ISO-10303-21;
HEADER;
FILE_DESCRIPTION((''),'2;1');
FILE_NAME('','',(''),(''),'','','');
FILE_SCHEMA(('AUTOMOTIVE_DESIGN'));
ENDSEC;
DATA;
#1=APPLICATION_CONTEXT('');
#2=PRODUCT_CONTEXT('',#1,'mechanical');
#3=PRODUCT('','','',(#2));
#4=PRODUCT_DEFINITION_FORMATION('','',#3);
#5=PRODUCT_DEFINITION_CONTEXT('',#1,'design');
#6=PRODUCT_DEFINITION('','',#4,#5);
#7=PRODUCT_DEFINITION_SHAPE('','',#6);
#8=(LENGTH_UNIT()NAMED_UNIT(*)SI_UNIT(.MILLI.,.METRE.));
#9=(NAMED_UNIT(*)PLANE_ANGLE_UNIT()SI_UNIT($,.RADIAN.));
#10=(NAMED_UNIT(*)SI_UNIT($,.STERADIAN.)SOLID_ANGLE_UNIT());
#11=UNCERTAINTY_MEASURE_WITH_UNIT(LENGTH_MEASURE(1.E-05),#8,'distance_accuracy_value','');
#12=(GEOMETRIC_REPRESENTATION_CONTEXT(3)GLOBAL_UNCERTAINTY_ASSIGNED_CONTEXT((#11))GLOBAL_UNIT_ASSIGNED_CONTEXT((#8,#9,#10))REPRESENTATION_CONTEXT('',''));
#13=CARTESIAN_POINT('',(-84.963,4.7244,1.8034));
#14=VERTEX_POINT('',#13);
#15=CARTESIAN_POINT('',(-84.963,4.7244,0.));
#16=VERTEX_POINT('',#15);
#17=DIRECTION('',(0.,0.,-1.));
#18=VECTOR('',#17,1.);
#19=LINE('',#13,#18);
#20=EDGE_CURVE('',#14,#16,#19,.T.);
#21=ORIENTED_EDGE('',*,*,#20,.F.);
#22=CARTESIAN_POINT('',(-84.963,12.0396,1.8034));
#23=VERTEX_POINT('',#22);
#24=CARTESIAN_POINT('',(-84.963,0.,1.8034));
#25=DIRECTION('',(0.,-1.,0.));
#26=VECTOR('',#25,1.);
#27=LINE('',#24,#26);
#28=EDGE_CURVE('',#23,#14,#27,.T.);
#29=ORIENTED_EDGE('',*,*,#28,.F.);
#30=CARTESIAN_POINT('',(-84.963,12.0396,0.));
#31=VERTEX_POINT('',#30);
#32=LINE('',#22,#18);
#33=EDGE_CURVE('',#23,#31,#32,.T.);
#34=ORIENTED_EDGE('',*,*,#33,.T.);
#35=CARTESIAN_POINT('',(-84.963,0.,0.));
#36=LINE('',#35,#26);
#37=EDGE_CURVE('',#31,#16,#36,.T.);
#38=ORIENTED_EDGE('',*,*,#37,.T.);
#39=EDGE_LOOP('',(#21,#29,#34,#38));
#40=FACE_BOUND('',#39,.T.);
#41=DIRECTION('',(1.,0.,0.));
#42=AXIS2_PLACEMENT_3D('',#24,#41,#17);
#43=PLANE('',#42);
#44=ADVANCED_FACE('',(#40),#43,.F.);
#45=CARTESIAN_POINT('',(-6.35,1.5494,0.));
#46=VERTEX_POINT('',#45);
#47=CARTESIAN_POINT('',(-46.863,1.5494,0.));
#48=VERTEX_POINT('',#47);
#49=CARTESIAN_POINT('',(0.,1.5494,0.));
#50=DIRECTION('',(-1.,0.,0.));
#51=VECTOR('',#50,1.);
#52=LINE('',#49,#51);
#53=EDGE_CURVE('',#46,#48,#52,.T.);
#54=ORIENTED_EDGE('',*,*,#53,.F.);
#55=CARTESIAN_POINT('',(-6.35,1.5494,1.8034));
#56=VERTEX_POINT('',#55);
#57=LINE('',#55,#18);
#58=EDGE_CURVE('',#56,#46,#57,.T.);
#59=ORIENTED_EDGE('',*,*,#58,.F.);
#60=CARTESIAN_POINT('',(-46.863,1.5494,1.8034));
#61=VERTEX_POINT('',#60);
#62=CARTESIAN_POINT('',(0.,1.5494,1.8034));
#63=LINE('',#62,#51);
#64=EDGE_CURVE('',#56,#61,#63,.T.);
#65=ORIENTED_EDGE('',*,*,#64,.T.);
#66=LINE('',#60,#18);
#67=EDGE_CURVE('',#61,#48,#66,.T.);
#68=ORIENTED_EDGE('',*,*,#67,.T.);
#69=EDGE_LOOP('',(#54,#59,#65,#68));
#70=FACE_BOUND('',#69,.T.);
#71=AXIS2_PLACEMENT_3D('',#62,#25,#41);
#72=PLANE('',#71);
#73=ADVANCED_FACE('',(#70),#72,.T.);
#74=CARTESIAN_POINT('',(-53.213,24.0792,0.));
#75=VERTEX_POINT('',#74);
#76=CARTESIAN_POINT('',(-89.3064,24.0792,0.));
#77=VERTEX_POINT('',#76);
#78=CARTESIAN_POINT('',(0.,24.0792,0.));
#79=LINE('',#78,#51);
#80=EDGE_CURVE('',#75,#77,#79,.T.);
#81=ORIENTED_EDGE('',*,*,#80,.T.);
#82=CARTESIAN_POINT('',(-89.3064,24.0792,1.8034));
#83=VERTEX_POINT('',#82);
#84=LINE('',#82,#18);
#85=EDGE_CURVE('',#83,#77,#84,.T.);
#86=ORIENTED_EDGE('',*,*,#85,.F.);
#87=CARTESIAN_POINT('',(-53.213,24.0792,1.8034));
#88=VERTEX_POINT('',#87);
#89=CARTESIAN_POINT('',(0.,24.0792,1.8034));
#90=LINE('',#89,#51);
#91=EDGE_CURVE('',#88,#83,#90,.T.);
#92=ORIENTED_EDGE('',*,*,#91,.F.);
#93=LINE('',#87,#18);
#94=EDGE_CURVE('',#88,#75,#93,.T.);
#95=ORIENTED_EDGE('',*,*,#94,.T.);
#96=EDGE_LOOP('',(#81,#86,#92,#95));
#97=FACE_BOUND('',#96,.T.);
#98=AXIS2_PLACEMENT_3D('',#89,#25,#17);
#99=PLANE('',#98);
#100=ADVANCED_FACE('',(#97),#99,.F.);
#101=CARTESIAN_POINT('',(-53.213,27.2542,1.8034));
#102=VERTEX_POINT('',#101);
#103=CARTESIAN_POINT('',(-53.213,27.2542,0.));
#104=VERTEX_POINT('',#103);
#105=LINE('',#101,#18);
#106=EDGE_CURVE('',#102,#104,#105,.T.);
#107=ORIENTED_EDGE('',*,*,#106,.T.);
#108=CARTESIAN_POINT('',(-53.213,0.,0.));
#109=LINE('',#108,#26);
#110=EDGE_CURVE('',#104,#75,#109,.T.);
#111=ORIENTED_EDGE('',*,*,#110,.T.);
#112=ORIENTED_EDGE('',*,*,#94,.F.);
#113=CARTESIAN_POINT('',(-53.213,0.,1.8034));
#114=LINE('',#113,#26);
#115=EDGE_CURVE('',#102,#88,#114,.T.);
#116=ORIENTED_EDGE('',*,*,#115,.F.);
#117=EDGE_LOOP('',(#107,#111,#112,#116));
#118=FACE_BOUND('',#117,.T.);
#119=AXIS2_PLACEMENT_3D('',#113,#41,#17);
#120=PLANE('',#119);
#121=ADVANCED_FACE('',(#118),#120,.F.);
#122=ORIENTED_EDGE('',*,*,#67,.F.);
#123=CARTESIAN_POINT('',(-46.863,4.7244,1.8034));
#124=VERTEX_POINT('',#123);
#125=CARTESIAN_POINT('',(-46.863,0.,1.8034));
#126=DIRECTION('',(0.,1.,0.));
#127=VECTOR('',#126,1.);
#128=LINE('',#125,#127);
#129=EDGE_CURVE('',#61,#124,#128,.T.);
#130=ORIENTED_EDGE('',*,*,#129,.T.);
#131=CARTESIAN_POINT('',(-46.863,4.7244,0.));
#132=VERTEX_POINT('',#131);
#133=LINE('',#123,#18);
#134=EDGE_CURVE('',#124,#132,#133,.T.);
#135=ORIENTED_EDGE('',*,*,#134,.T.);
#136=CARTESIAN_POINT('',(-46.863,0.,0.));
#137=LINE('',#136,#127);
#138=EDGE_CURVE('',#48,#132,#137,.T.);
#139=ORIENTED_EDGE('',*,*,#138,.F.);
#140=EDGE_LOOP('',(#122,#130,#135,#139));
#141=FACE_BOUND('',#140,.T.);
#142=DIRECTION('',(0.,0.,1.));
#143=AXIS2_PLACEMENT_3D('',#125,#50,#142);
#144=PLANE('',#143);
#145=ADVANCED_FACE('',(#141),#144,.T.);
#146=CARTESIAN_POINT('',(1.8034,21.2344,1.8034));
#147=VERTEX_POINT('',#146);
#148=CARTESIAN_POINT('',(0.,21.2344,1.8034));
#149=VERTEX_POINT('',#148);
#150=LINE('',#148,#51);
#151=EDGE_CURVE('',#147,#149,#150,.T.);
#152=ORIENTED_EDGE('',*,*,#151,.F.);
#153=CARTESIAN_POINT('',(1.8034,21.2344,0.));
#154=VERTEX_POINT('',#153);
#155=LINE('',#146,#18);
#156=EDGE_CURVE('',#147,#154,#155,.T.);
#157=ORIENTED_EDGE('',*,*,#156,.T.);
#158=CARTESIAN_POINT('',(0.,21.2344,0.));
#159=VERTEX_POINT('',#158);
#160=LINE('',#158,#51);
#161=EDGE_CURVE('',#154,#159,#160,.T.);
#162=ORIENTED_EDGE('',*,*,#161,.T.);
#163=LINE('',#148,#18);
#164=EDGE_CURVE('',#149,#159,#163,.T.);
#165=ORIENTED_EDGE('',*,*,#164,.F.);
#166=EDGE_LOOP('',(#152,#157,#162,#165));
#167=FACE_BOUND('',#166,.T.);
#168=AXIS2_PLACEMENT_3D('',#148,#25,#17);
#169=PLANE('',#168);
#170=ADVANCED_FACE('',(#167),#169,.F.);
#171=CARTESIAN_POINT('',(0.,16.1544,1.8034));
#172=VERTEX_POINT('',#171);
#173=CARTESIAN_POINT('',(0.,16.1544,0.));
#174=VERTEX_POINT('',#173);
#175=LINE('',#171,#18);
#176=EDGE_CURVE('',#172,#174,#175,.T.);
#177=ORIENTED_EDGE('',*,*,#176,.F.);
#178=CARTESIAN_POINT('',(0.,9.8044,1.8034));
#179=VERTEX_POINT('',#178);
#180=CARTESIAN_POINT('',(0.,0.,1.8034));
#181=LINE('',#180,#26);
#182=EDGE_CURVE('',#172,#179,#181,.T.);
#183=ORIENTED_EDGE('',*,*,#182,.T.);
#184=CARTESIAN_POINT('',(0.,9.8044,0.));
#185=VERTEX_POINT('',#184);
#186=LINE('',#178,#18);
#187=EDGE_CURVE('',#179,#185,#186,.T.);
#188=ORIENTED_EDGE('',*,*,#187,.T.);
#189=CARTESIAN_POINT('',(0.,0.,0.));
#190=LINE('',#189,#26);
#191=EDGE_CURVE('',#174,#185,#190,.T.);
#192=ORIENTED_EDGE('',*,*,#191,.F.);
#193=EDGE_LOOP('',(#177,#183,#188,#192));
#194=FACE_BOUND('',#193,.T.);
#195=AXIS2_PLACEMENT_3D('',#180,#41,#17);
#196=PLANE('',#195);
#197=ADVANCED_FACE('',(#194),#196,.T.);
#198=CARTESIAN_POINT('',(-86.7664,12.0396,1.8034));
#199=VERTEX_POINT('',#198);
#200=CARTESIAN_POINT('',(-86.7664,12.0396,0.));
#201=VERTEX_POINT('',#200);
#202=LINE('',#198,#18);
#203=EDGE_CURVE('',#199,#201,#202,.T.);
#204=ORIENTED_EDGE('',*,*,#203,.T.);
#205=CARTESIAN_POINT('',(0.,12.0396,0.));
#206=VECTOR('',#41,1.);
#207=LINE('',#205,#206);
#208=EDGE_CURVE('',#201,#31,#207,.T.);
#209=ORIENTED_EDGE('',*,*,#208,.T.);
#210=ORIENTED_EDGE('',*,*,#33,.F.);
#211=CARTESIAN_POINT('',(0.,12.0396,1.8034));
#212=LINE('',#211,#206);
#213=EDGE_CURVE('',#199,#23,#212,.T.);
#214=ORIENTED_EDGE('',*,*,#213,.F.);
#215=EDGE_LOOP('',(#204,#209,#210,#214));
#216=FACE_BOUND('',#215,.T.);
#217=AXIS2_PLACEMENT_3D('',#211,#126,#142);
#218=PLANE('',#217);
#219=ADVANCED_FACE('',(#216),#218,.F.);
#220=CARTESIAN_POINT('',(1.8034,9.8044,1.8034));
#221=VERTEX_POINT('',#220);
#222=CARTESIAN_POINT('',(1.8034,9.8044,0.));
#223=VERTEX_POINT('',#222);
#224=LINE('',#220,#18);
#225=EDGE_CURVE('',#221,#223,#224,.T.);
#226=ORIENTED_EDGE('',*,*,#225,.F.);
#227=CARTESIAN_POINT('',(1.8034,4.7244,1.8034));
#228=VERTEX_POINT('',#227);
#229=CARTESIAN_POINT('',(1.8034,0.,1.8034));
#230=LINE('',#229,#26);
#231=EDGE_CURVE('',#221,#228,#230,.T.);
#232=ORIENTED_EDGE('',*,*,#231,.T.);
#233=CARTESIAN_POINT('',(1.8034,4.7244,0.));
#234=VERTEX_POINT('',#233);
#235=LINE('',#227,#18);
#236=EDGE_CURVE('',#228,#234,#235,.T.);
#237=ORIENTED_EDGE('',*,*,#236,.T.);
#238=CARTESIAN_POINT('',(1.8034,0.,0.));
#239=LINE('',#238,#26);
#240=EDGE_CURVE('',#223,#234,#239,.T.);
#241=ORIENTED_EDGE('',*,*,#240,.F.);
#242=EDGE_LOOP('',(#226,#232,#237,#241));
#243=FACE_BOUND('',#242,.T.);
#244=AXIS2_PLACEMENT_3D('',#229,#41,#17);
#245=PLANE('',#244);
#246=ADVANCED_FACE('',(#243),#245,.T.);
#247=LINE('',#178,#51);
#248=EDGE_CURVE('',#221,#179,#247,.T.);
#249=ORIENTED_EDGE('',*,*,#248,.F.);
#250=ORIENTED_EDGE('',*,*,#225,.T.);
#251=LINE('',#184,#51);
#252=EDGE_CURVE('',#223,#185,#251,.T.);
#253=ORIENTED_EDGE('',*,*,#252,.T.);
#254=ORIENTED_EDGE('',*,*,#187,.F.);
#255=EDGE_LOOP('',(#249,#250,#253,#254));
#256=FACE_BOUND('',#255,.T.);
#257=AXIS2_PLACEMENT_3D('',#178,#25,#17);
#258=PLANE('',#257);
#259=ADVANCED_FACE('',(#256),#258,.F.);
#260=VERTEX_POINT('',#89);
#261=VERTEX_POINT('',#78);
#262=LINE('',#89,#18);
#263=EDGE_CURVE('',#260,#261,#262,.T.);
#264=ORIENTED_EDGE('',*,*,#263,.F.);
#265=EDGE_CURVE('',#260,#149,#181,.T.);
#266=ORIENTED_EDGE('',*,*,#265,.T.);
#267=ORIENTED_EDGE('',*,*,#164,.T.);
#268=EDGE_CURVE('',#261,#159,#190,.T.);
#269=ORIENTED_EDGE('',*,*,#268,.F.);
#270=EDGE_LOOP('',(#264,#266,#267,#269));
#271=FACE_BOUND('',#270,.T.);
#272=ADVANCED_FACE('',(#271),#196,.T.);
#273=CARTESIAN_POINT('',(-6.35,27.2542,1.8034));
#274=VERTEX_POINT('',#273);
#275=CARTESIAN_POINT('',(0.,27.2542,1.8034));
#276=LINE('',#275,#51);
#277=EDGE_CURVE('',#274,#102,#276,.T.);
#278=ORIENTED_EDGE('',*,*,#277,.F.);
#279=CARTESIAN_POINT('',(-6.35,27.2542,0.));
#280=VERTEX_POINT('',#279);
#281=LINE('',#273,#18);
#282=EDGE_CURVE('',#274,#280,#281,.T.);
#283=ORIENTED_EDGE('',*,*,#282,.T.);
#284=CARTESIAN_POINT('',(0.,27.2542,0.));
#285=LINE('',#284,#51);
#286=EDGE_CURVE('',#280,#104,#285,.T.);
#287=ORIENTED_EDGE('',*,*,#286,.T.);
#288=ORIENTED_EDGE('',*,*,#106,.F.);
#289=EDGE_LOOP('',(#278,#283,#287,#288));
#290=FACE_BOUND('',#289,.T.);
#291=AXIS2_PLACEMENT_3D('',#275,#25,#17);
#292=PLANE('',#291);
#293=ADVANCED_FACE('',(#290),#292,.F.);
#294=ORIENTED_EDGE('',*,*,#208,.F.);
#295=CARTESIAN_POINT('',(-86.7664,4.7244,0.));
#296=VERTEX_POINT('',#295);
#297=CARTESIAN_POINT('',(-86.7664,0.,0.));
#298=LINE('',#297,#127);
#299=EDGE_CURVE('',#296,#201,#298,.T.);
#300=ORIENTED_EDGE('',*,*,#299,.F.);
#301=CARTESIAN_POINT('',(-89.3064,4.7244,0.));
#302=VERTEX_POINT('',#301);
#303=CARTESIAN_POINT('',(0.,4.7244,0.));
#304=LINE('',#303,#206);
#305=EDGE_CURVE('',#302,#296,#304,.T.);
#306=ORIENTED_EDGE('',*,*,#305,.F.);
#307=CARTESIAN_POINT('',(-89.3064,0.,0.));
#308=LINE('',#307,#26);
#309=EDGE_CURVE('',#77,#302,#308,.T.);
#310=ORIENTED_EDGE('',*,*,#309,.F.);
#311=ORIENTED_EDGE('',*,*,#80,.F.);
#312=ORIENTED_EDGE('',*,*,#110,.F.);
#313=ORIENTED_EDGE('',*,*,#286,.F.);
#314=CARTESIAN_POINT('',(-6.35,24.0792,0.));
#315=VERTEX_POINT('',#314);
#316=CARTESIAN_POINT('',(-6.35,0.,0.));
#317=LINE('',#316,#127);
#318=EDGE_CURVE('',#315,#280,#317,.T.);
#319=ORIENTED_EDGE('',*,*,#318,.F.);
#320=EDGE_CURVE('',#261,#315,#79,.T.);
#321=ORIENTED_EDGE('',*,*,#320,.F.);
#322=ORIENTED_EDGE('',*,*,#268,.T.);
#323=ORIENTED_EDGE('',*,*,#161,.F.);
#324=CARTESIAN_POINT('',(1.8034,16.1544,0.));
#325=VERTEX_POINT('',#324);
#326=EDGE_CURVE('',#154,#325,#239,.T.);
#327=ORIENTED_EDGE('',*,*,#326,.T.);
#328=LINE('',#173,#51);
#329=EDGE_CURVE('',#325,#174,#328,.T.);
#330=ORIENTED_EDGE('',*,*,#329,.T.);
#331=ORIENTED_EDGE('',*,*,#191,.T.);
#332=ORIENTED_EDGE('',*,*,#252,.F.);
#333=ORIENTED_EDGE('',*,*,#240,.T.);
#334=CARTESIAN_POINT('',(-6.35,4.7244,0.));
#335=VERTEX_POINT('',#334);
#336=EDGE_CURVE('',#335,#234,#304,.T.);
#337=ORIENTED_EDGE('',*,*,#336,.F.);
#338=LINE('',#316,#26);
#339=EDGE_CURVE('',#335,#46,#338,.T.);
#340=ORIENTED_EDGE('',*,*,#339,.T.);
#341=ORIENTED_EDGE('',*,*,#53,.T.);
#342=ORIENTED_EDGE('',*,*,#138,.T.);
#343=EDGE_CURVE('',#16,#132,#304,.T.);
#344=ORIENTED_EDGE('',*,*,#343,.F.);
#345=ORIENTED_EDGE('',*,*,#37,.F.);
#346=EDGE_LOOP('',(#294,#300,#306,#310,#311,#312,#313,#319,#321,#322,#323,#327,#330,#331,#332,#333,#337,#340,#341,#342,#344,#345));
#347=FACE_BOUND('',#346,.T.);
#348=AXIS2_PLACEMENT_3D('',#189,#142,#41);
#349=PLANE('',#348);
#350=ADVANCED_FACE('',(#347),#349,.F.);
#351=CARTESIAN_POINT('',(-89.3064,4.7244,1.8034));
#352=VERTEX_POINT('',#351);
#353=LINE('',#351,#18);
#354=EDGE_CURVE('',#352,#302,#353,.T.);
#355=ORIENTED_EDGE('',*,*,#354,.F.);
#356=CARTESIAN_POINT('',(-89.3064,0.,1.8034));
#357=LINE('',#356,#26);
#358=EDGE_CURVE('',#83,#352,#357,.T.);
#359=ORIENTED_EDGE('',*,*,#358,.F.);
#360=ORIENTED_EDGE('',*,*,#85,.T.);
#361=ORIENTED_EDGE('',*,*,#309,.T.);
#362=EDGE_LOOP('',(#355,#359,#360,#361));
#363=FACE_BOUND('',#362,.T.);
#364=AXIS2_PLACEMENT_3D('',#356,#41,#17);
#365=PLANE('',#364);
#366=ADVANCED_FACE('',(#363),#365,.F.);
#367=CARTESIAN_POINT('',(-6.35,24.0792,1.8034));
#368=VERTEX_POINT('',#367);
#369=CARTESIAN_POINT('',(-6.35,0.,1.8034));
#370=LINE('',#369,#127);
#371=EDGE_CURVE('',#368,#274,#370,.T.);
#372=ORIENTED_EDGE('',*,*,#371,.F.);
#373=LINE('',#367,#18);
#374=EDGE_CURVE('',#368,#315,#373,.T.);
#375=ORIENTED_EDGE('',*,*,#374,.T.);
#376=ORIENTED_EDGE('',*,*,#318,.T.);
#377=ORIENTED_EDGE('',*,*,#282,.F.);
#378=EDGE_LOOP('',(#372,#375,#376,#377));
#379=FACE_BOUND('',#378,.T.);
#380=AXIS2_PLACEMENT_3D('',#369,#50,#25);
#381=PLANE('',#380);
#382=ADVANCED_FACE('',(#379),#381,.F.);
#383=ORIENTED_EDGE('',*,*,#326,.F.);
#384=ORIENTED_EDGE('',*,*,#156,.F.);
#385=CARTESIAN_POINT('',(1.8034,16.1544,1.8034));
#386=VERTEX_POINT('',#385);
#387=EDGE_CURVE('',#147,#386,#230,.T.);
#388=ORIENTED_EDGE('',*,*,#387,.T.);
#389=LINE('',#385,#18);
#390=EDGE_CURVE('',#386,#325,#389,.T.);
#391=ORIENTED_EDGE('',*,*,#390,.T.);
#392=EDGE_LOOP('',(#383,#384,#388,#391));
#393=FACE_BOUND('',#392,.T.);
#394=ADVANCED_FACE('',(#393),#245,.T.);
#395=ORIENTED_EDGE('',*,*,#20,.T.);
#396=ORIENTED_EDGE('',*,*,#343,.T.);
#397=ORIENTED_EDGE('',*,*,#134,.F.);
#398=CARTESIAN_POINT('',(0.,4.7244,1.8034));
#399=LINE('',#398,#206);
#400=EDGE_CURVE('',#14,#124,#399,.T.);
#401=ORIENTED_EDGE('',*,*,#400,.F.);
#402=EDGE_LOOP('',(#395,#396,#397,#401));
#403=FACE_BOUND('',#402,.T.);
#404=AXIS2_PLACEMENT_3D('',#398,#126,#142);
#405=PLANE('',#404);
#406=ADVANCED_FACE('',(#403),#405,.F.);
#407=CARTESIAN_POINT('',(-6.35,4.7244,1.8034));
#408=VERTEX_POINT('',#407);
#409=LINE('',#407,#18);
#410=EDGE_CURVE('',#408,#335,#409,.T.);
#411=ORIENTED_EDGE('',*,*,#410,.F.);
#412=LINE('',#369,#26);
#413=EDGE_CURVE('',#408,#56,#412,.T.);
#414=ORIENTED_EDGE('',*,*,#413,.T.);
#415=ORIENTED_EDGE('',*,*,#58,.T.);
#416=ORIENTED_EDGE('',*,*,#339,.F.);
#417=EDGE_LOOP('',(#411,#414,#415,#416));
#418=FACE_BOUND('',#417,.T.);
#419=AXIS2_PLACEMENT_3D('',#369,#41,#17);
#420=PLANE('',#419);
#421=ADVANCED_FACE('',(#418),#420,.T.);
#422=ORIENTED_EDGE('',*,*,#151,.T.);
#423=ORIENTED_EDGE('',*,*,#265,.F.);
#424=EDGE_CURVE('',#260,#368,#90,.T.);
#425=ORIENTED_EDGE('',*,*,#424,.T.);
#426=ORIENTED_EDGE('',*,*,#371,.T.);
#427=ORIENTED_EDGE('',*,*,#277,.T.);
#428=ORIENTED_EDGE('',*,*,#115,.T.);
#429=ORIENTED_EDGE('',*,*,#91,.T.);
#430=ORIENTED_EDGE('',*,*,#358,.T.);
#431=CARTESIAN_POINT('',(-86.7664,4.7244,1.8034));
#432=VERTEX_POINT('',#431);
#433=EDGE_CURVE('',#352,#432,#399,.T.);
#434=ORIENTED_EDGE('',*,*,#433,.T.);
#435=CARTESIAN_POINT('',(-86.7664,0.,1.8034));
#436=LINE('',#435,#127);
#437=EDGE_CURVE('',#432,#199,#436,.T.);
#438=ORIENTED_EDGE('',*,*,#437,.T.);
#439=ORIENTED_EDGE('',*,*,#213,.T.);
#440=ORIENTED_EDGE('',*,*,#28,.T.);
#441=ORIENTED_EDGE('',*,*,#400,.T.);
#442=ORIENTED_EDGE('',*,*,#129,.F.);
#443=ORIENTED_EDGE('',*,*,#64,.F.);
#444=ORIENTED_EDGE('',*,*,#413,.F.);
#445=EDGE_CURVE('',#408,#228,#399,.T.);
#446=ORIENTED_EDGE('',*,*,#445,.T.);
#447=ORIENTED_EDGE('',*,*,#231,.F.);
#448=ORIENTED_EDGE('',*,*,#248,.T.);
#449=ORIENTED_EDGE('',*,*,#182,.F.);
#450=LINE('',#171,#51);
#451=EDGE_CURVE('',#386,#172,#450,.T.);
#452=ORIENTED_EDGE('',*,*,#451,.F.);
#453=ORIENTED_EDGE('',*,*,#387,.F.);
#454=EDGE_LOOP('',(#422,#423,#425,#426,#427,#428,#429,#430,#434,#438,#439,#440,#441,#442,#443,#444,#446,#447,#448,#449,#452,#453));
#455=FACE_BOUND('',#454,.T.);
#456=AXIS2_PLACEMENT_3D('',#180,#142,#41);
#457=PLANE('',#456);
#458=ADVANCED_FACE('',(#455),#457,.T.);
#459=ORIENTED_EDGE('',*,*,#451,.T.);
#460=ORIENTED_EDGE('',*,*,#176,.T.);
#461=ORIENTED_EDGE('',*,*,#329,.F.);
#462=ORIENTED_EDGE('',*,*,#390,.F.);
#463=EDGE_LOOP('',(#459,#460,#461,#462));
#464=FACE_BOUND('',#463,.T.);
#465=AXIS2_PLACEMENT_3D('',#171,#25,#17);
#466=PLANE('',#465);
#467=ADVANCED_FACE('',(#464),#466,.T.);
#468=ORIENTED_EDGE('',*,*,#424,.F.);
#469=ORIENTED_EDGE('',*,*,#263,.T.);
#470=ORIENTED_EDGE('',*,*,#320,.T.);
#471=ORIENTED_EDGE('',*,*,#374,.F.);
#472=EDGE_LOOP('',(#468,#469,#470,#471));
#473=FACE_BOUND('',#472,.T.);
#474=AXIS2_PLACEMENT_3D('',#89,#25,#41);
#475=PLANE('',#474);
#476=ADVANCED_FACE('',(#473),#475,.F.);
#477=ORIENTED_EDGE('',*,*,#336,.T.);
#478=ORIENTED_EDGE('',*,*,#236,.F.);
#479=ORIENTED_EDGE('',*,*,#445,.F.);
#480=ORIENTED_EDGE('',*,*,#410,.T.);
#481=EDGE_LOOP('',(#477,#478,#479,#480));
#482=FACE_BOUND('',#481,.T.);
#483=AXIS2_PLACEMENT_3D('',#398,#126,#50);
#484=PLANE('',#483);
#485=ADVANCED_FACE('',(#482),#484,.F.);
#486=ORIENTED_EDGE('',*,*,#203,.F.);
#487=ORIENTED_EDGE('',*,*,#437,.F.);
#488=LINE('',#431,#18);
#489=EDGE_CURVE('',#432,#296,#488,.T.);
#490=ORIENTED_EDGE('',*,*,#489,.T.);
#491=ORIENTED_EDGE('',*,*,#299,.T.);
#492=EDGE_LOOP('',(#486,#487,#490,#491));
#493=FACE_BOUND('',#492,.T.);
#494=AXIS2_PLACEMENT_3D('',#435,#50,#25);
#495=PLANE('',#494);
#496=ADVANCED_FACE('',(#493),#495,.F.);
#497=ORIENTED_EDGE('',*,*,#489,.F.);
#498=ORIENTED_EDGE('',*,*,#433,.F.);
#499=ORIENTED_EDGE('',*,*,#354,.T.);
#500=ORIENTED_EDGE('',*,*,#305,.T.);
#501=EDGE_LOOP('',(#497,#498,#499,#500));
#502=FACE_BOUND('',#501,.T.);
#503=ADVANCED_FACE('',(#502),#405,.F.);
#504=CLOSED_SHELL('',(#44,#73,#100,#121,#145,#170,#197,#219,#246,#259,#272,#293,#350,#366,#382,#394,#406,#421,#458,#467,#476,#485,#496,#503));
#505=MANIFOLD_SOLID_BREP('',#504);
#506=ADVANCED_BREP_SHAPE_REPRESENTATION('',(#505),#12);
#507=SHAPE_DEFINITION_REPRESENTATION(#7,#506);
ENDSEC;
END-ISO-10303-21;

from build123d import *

# Parameters (mm, degrees)
BOSS_EXTRUDE1_DEPTH = 1.8034


with BuildPart() as part:
    # Sketch1 → Boss-Extrude1 (new body)
    with BuildSketch(Plane.XY):
        Polygon((-6.35, 1.5494), (-6.35, 4.7244), (1.8034, 4.7244), (1.8034, 9.8044), (0, 9.8044), (0, 16.1544), (1.8034, 16.1544), (1.8034, 21.2344), (0, 21.2344), (0, 24.0792), (-6.35, 24.0792), (-6.35, 27.2542), (-53.213, 27.2542), (-53.213, 24.0792), (-89.3064, 24.0792), (-89.3064, 4.7244), (-86.7664, 4.7244), (-86.7664, 12.0396), (-84.963, 12.0396), (-84.963, 4.7244), (-46.863, 4.7244), (-46.863, 1.5494), align=None)
    extrude(amount=BOSS_EXTRUDE1_DEPTH)


solid = part.part
